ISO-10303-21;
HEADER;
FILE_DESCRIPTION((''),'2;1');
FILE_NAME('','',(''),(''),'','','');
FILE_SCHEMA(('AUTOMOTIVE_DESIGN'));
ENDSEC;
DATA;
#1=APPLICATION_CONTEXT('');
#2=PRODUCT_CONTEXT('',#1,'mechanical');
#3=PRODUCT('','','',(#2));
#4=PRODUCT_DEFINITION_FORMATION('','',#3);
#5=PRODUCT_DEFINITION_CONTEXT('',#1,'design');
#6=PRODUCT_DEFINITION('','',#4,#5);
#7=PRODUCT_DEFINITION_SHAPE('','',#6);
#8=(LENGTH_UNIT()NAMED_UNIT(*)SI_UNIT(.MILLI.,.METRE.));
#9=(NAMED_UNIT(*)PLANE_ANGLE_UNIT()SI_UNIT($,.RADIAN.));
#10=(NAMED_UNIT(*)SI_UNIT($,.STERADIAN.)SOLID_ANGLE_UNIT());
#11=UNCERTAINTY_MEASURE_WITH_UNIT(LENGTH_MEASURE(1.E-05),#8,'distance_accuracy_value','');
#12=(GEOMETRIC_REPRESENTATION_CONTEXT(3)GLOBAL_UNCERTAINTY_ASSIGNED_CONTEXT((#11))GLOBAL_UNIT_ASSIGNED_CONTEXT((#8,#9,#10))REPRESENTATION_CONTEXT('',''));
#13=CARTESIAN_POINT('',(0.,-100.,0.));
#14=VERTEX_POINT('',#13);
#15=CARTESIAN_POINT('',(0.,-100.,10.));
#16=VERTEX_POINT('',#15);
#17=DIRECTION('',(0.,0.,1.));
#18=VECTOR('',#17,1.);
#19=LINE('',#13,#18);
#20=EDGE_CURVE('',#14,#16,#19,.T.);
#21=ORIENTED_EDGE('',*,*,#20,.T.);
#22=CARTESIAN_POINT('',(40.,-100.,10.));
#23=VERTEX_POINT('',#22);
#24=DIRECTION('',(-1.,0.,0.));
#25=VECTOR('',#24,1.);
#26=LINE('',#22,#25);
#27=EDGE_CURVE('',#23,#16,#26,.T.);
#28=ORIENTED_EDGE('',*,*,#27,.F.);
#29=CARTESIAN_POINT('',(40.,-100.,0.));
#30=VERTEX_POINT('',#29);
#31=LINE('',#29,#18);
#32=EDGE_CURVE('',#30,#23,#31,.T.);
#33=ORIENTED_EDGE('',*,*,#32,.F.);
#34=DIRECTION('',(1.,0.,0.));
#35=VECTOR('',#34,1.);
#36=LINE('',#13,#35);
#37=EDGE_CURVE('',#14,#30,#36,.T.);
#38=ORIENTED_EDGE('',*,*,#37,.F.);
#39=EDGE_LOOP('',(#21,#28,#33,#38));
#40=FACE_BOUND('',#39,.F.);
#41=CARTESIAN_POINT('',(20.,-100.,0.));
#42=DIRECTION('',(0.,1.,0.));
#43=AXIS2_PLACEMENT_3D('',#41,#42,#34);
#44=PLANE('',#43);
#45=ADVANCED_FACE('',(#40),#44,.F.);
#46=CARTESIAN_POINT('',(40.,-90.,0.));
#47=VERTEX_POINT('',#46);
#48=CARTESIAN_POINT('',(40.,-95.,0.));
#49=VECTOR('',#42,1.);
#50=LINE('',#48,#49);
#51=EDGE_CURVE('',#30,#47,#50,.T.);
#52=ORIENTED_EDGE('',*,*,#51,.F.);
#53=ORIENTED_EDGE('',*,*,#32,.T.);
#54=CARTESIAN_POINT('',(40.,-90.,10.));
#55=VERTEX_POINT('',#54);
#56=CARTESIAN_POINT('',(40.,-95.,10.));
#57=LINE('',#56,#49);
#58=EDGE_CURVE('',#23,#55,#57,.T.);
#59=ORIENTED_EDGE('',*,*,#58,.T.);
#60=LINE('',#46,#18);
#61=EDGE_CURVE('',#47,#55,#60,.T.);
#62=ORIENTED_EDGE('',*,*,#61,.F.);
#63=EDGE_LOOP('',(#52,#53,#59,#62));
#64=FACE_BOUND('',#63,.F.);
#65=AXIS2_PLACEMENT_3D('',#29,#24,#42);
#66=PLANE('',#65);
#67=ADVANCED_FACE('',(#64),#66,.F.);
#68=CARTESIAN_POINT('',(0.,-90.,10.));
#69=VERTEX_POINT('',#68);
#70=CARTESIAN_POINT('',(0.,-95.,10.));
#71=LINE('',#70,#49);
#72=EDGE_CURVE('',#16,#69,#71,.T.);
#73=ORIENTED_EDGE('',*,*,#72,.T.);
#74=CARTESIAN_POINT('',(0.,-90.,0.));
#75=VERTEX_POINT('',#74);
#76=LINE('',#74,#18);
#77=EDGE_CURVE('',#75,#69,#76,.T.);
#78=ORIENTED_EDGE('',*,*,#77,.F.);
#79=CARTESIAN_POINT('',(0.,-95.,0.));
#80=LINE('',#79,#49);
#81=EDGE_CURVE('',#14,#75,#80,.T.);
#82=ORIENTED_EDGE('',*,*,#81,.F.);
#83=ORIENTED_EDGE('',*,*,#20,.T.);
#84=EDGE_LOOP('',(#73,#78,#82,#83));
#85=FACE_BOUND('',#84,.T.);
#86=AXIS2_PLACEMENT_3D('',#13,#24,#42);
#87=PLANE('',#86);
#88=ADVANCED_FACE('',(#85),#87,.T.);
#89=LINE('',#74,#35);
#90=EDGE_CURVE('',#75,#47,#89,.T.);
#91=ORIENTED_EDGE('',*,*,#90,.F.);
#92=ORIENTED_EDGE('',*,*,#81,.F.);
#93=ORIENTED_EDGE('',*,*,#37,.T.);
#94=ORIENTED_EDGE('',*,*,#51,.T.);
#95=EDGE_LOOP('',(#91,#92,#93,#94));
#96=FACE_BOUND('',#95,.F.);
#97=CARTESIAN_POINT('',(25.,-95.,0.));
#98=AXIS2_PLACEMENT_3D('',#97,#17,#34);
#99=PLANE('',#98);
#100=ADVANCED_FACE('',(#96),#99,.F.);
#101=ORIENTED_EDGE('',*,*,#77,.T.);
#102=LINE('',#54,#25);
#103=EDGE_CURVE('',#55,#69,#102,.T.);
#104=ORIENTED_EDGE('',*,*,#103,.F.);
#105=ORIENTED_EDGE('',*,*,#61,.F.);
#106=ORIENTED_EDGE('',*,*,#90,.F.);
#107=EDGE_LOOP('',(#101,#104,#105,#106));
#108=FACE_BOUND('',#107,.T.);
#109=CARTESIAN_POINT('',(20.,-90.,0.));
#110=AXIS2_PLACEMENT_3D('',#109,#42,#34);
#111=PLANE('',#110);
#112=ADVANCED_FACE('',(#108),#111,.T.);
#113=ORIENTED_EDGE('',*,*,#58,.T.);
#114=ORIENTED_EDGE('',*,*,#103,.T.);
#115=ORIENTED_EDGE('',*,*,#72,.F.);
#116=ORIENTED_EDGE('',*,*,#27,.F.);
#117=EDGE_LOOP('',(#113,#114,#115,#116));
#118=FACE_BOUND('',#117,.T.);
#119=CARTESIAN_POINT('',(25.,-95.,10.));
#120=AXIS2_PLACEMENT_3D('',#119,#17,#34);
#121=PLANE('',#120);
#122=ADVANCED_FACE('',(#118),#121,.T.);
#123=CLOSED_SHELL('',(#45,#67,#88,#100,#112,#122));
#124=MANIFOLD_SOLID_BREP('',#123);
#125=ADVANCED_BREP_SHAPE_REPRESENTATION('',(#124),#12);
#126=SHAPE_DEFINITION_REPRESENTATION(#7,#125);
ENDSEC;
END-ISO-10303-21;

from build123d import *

# Parameters (mm, degrees)
BOX_W        = 10
BOX_H        = 10
BOX_DEPTH    = 10
BOX001_W     = 10
BOX001_H     = 10
BOX001_DEPTH = 10
BOX002_W     = 10
BOX002_H     = 10
BOX002_DEPTH = 10
BOX003_W     = 10
BOX003_H     = 10
BOX003_DEPTH = 10


with BuildPart() as cubo:
    # Box → Box (new body)
    with BuildSketch(Plane.XY):
        with Locations((5, 5)):
            Rectangle(BOX_W, BOX_H)
    extrude(amount=BOX_DEPTH)


with BuildPart() as cubo001:
    # Box001 → Box001 (new body)
    with BuildSketch(Plane(origin=(10, 0, 0), x_dir=(1, 0, 0), z_dir=(0, 0, 1))):
        with Locations((5, 5)):
            Rectangle(BOX001_W, BOX001_H)
    extrude(amount=BOX001_DEPTH)


with BuildPart() as cubo002:
    # Box002 → Box002 (new body)
    with BuildSketch(Plane(origin=(20, 0, 0), x_dir=(1, 0, 0), z_dir=(0, 0, 1))):
        with Locations((5, 5)):
            Rectangle(BOX002_W, BOX002_H)
    extrude(amount=BOX002_DEPTH)


with BuildPart() as fusion:
    # Box003 → Box003 (new body)
    with BuildSketch(Plane(origin=(30, 0, 0), x_dir=(1, 0, 0), z_dir=(0, 0, 1))):
        with Locations((5, 5)):
            Rectangle(BOX003_W, BOX003_H)
    extrude(amount=BOX003_DEPTH)

    # Fusion: union Cubo, Cubo001, Cubo002
    add(cubo.part)
    add(cubo001.part)
    add(cubo002.part)


with BuildPart() as fusion_1:
    # Fusion placement: moved
    add(fusion.part.moved(Location((0, -100, 0))))


solid = fusion_1.part
